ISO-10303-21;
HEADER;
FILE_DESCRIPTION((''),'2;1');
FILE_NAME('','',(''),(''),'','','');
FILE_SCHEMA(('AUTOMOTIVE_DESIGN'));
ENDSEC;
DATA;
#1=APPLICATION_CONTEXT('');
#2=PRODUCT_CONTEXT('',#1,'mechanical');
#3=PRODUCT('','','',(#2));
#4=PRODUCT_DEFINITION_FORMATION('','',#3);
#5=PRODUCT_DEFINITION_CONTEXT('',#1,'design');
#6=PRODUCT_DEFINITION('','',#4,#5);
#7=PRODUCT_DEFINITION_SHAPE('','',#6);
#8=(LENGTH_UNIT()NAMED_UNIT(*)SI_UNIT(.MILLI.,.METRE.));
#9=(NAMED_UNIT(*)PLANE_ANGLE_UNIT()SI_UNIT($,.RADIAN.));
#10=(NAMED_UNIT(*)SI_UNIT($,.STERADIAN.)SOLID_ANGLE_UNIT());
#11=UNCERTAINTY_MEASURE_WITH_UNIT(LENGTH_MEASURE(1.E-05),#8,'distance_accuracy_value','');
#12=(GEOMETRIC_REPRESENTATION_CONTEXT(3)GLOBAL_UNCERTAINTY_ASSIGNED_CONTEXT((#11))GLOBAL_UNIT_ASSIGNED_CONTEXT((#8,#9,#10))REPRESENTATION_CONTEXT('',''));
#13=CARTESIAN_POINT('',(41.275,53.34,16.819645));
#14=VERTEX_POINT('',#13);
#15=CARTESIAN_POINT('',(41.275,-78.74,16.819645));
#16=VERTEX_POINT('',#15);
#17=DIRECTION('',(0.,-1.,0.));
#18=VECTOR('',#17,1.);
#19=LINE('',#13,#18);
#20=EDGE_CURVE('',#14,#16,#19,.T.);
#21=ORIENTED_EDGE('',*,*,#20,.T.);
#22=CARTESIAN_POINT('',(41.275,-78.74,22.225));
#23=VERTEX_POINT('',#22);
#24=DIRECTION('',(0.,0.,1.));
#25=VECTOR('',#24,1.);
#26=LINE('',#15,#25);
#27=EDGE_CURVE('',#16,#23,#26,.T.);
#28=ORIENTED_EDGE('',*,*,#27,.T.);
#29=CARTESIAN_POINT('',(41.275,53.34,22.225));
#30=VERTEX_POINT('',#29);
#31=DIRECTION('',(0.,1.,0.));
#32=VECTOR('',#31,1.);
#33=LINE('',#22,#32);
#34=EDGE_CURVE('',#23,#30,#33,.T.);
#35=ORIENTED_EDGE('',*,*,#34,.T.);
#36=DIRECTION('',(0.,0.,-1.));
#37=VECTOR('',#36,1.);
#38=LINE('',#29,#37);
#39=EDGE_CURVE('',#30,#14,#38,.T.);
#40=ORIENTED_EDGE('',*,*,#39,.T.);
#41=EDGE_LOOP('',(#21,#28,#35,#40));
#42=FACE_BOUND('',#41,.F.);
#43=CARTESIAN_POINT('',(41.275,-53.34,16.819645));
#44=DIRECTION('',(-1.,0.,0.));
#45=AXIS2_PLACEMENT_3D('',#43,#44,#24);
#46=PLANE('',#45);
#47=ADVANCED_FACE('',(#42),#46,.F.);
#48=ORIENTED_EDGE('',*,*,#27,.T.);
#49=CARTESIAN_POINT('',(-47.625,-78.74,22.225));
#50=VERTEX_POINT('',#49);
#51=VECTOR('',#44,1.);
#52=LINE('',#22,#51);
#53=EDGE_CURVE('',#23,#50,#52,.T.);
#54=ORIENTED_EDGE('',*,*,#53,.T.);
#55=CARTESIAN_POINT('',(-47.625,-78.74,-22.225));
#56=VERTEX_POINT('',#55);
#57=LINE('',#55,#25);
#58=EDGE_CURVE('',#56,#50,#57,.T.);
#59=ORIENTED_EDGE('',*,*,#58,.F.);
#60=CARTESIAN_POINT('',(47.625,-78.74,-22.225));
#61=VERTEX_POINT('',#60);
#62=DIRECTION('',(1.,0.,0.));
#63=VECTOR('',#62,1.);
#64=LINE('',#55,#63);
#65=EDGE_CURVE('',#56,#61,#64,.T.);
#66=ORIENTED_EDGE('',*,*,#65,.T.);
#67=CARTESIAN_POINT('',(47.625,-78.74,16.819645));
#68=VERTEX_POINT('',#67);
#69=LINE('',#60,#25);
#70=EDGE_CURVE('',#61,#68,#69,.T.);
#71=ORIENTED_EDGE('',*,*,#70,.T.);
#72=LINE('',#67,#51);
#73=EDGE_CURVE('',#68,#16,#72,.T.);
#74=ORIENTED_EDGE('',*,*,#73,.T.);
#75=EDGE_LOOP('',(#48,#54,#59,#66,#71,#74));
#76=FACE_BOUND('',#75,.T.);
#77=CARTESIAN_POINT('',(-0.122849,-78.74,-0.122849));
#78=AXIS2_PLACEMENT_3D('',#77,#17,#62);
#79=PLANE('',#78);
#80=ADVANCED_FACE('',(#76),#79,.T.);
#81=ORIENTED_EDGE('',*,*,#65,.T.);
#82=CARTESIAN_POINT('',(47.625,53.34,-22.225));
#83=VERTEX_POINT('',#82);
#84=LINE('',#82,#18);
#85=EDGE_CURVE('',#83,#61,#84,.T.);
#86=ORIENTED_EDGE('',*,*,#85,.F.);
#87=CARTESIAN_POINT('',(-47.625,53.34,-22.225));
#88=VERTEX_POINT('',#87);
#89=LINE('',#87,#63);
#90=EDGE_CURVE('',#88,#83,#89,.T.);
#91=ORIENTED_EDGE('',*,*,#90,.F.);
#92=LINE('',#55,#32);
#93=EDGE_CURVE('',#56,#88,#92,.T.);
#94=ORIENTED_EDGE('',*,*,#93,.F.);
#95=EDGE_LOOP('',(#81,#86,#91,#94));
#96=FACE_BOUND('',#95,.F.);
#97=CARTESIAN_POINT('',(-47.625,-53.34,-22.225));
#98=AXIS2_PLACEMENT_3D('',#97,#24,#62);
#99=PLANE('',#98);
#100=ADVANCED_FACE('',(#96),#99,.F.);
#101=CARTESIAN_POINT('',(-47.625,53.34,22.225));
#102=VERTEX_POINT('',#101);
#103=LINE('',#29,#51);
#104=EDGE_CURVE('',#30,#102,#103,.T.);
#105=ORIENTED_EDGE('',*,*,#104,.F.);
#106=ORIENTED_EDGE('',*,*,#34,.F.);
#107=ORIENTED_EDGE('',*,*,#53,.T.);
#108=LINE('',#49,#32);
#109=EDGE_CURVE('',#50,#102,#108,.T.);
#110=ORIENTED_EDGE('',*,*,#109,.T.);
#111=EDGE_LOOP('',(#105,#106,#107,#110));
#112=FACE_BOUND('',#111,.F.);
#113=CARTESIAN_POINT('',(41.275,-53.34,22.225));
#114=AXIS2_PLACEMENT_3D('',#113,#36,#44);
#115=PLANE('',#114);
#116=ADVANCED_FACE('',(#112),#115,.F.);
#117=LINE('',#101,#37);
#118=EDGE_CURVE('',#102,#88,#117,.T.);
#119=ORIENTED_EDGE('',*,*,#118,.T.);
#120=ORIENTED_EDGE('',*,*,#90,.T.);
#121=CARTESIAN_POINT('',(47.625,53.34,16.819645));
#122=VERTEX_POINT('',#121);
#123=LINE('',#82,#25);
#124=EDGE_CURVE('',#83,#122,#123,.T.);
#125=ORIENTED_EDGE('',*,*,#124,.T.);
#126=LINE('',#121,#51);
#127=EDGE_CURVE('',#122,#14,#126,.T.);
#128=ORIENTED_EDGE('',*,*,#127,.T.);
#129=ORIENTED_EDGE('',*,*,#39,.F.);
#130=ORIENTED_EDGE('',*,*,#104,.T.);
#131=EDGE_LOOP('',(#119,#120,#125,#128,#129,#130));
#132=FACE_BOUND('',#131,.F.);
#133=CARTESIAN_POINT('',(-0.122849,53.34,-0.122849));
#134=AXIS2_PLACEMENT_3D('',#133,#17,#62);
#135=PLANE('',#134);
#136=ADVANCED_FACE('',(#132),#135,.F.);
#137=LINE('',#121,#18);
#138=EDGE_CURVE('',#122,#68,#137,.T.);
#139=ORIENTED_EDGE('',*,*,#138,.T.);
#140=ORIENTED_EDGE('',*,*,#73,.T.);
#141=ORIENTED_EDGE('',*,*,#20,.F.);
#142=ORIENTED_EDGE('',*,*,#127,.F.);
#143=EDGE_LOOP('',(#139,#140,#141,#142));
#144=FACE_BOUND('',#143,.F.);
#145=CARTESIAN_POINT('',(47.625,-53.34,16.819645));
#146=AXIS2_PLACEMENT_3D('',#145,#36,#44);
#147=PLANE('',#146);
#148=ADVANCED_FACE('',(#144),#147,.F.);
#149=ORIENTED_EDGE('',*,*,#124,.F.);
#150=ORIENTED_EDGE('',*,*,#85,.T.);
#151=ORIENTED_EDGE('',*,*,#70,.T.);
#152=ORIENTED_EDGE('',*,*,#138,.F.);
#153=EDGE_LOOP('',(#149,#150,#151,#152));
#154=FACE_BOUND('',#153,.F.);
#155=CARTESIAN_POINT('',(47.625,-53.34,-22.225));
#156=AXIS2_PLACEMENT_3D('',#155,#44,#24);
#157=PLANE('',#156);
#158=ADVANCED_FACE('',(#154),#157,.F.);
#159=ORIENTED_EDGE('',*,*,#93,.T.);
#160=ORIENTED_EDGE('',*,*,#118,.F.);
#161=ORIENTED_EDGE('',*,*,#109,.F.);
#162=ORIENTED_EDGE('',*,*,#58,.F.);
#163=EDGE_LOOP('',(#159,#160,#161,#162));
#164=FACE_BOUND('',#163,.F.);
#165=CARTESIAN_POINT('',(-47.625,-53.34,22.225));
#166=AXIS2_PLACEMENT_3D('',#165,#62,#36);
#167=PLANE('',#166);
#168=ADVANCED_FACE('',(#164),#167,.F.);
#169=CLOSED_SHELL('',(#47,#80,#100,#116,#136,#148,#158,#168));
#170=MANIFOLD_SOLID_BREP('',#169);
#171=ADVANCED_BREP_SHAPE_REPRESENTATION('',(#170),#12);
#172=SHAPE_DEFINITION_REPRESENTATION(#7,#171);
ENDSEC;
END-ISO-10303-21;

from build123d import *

# Parameters (mm, degrees)
F1_DEPTH  = 53.34
F2_DEPTH  = 25.4
F2_FACE_W = 88.9
F2_FACE_H = 132.08
F3_DEPTH  = 3.048


with BuildPart() as f1:
    # F0 (on Front) → F1 (new body, symmetric)
    with BuildSketch(Plane.XZ):
        Polygon((-47.625, -22.225), (47.625, -22.225), (47.625, 16.819645), (41.275, 16.819645), (41.275, 22.225), (-47.625, 22.225), align=None)
    extrude(amount=F1_DEPTH, both=True)

    # F1_face (on face) → F2 (join)
    with BuildSketch(Plane(origin=(-0.363302, -53.34, -0.159561), x_dir=(1, 0, 0), z_dir=(0, -1, 0))):
        Polygon((-47.261698, -22.065439), (47.988302, -22.065439), (47.988302, 16.979206), (41.638302, 16.979206), (41.638302, 22.384561), (-47.261698, 22.384561), align=None)
    extrude(amount=F2_DEPTH)

    # F2_face (on face) → F3 (join)
    with BuildSketch(Plane(origin=(-3.175, -12.7, 22.225), x_dir=(1, 0, 0), z_dir=(0, 0, 1))):
        Rectangle(F2_FACE_W, F2_FACE_H)
    extrude(amount=-F3_DEPTH)


solid = f1.part
